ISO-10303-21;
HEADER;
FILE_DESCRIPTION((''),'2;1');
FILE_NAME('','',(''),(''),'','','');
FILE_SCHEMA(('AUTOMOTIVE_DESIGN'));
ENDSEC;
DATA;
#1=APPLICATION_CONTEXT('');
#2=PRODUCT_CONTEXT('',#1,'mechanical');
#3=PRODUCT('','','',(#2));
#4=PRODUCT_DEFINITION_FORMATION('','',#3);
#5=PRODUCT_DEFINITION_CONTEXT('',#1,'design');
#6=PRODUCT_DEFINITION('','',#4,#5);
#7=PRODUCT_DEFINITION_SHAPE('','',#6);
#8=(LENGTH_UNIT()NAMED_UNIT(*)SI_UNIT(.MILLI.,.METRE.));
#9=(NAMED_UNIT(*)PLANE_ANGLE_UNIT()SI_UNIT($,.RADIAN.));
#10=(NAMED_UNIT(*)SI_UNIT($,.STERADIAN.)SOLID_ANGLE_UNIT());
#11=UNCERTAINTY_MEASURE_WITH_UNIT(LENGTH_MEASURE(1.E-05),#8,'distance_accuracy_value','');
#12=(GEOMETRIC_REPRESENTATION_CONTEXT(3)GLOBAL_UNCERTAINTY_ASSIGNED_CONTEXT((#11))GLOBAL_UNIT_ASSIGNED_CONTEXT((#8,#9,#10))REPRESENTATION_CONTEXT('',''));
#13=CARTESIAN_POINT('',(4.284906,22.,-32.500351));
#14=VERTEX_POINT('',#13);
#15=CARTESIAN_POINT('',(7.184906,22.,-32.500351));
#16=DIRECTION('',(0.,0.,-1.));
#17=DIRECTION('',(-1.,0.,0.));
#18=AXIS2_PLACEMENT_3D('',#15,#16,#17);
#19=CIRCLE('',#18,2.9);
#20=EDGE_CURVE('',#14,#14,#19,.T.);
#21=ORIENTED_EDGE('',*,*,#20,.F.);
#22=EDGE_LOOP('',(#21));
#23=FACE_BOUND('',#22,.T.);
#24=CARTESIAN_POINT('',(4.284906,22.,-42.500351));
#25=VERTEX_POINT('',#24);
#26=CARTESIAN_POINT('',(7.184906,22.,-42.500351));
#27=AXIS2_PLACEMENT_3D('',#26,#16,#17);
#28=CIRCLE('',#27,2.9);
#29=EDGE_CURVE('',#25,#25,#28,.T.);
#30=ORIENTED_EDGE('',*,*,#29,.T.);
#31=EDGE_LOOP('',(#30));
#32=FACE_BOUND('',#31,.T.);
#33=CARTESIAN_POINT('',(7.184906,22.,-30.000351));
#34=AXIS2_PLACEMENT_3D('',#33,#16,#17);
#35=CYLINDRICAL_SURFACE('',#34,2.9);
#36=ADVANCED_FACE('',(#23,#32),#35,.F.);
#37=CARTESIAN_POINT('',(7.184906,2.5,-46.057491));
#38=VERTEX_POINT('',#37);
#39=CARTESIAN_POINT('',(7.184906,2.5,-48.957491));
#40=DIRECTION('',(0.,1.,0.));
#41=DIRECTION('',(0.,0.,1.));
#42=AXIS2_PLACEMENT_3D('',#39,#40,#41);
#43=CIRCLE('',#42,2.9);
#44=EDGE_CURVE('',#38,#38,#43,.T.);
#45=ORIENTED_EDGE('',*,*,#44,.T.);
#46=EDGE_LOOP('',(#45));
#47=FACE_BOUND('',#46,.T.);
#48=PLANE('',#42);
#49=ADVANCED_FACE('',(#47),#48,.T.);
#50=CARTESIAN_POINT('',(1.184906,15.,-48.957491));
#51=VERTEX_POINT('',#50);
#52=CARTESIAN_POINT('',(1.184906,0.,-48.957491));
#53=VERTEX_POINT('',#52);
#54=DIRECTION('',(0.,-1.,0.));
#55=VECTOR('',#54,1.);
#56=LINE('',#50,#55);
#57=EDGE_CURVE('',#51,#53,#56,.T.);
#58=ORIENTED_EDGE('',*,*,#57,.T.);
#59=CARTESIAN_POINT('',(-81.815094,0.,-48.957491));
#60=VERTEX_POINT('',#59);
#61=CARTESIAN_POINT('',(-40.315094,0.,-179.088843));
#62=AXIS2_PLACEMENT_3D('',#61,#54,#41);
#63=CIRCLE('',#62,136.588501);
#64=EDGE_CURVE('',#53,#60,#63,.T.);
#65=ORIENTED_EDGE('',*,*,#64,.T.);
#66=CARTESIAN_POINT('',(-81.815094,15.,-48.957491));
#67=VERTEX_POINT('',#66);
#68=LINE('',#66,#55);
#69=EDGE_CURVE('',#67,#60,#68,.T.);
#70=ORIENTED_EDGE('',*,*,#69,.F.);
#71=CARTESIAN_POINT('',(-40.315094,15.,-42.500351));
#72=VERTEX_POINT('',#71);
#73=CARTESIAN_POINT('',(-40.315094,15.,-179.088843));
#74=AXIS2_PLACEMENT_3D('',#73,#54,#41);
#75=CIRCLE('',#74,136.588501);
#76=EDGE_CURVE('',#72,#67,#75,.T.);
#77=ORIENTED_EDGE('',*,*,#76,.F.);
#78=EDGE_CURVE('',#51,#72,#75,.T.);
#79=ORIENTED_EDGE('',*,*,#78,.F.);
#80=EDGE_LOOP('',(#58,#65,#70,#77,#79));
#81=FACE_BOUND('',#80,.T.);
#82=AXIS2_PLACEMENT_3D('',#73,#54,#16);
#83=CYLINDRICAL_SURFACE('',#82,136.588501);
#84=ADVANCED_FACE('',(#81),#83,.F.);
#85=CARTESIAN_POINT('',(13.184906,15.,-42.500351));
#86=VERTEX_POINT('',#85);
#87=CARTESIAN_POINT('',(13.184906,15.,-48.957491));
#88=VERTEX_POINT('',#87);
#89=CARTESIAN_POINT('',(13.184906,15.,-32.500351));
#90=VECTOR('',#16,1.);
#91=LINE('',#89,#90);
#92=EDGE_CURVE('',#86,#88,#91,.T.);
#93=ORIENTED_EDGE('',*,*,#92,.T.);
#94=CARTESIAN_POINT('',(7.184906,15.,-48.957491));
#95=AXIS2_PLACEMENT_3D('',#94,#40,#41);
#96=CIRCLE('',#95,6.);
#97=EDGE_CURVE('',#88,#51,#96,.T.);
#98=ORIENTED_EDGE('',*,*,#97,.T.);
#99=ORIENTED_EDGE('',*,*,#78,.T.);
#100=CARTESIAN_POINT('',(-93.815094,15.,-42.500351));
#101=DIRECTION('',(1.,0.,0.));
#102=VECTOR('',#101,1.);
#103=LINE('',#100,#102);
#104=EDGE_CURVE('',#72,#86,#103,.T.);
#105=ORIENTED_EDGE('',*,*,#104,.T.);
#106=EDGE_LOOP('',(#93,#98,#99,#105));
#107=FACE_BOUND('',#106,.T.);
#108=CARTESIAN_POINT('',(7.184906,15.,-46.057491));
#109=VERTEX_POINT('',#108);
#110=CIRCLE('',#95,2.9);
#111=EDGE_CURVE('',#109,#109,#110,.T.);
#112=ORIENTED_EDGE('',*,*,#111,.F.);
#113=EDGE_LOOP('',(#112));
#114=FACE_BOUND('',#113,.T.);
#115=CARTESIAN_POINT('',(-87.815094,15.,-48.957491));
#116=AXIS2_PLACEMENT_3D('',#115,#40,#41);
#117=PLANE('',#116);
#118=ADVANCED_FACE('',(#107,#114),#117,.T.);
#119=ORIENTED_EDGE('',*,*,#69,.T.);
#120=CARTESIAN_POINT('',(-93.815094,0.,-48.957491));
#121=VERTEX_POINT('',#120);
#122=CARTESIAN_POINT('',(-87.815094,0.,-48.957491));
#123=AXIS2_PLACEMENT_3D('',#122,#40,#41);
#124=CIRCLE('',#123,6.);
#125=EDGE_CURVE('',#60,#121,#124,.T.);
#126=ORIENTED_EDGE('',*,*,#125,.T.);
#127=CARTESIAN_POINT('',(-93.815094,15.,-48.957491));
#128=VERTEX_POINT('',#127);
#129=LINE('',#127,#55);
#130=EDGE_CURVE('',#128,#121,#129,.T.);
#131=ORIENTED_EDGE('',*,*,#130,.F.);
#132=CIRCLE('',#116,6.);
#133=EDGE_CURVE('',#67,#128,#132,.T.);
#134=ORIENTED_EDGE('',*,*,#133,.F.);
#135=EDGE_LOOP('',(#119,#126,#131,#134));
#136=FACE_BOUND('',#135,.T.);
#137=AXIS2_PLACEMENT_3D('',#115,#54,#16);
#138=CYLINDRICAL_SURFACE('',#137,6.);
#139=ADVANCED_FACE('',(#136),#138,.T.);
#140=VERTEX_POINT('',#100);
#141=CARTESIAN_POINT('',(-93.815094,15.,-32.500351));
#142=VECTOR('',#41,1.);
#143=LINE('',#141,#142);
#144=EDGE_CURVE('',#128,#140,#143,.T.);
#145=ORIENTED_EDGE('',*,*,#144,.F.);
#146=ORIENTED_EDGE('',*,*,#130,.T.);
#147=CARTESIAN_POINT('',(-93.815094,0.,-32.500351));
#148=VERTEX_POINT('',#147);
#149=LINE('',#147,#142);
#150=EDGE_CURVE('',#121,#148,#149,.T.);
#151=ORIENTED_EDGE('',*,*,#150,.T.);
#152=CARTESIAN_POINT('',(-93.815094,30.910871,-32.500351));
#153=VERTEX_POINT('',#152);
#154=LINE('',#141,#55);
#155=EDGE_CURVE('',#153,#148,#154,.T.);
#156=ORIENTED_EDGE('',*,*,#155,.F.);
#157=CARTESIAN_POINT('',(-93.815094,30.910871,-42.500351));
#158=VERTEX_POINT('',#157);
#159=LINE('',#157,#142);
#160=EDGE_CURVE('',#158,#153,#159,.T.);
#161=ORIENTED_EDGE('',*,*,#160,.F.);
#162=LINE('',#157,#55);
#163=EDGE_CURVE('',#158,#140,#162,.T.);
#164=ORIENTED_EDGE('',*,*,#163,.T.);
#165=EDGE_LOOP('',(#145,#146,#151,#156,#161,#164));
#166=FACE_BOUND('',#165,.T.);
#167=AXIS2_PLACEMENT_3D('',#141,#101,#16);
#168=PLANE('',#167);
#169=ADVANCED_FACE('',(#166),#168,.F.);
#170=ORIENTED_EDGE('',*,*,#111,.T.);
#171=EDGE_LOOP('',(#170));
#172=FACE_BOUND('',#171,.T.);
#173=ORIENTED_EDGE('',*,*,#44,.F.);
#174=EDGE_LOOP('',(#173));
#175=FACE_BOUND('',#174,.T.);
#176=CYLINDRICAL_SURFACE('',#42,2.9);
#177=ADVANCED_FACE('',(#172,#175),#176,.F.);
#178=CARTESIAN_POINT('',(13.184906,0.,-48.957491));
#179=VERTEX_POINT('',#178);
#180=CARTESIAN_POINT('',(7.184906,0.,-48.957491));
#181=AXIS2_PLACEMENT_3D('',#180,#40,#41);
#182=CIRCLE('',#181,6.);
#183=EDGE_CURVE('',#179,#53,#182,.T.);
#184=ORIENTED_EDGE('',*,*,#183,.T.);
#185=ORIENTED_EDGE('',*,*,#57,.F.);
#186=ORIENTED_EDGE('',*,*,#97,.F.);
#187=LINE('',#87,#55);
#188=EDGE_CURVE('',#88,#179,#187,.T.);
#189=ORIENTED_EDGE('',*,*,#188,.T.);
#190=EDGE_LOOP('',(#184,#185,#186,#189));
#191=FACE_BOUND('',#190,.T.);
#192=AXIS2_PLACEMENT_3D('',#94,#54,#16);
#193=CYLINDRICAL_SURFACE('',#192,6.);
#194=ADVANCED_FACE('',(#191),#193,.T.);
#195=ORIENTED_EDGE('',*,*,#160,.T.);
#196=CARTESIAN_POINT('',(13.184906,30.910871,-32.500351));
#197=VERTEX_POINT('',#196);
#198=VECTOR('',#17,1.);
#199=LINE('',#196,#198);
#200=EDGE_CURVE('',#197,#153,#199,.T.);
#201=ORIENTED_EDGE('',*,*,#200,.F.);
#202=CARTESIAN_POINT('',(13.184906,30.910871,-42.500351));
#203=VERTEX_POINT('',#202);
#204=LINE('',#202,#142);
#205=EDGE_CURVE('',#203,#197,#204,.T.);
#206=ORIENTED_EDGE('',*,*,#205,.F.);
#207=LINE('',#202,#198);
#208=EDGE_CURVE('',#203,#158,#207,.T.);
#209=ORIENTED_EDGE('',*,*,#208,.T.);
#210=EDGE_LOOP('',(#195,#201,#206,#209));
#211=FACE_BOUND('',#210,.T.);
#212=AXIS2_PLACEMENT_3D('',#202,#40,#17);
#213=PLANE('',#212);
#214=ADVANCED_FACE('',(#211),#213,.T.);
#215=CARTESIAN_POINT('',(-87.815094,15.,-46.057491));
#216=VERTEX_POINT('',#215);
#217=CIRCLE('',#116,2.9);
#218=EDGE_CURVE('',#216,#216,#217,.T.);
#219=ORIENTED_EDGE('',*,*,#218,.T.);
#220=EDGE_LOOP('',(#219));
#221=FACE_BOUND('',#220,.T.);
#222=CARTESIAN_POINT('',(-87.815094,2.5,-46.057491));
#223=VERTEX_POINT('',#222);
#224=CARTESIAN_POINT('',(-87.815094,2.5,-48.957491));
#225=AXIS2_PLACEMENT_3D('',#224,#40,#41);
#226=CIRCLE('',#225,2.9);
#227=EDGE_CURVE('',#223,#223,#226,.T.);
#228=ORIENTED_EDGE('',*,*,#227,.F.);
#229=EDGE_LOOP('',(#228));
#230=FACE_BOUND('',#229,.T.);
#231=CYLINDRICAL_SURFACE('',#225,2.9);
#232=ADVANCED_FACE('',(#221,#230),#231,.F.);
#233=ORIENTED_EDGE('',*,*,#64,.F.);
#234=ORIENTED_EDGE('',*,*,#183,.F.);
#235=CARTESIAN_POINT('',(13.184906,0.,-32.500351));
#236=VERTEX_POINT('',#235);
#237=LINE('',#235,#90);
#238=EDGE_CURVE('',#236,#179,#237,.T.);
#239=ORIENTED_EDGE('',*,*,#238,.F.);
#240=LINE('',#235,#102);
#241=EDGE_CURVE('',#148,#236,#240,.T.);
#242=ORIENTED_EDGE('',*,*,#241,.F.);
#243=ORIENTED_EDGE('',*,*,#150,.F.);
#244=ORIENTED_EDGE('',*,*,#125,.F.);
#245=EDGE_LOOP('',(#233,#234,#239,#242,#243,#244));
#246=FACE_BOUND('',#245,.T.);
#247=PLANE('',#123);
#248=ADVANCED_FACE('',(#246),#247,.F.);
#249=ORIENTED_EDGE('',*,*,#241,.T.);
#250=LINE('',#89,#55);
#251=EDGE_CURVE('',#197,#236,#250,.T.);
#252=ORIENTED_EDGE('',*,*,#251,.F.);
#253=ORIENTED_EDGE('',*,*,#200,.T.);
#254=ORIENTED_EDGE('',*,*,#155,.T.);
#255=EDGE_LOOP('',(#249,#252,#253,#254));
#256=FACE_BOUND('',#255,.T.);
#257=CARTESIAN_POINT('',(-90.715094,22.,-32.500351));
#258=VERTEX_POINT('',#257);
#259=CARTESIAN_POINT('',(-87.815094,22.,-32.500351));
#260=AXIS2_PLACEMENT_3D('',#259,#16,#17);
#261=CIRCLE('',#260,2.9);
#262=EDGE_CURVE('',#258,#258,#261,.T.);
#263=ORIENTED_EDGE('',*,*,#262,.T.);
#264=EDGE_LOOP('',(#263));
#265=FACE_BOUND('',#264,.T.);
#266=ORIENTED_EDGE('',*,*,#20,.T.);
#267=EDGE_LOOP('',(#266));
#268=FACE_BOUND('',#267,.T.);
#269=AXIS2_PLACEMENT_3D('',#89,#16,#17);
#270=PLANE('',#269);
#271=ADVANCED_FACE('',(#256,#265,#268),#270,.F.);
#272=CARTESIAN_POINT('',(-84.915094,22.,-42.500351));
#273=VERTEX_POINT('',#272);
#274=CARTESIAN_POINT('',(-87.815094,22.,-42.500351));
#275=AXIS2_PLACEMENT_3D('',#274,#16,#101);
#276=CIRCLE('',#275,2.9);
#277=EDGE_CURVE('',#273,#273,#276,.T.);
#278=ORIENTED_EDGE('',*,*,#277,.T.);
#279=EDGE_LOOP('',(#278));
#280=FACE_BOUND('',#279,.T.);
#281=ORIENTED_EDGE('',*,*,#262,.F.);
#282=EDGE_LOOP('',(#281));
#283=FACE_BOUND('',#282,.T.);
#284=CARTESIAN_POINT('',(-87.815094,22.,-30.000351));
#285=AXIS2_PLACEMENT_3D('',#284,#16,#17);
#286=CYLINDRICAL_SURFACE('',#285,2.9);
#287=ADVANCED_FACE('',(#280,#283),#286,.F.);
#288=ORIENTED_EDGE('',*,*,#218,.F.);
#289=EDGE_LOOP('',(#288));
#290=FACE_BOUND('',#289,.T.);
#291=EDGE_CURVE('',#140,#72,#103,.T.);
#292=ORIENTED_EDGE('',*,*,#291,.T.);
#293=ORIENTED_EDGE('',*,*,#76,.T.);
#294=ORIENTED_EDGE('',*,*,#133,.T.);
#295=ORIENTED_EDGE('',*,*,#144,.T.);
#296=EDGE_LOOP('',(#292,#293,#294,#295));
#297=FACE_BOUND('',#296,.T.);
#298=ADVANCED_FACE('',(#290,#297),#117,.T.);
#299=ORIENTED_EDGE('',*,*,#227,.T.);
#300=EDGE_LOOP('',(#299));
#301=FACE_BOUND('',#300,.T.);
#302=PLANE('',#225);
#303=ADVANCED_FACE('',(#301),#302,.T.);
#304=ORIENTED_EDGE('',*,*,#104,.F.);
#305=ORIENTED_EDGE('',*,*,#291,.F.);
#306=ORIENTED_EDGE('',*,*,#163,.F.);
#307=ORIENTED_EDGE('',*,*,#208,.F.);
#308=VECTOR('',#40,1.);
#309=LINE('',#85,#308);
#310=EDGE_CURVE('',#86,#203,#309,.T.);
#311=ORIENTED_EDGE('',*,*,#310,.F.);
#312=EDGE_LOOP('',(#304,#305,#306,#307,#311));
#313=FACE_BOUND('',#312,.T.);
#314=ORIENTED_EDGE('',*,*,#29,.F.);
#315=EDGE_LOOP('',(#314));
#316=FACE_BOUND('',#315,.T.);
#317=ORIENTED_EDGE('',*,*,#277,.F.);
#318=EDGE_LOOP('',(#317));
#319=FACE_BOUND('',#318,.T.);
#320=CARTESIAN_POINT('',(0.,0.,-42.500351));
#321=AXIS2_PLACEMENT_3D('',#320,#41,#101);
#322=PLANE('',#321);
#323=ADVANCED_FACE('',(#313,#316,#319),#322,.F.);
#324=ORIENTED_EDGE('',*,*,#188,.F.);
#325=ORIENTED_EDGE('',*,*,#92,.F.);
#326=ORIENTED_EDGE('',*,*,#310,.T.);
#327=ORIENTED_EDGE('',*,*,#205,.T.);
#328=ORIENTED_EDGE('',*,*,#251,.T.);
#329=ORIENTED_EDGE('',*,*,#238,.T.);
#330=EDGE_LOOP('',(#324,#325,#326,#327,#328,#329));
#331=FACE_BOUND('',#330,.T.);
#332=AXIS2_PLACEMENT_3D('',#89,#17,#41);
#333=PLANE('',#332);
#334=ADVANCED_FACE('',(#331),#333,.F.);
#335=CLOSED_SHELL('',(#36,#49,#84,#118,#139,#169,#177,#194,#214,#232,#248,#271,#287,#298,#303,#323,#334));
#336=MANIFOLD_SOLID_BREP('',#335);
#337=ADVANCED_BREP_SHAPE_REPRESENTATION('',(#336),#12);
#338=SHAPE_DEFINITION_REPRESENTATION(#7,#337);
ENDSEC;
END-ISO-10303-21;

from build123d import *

# Parameters (mm, degrees)
BOSS_EXTRUDE1_DEPTH = 15
SKETCH5_W           = 107
SKETCH5_H           = 15.91087052
BOSS_EXTRUDE2_DEPTH = 10
CUT_EXTRUDE1_START  = -15
SKETCH6_R           = 2.9
CUT_EXTRUDE1_DEPTH  = 12.5
SKETCH7_R           = 2.9
CUT_EXTRUDE2_DEPTH  = 12.5


with BuildPart() as part:
    # Sketch4 → Boss-Extrude1 (new body)
    with BuildSketch(Plane(origin=(0, 0, 0), x_dir=(1, 0, 0), z_dir=(0, 1, 0))):
        with BuildLine():
            Line((13.184906132, 32.500351338), (-93.815093868, 32.500351338))
            Line((-93.815093868, 32.500351338), (-93.815093868, 48.957491145))
            ThreePointArc((-93.815093868, 48.957491145), (-87.815093868, 54.957491145), (-81.815093868, 48.957491145))
            ThreePointArc((-81.815093868, 48.957491145), (-40.315093868, 42.500341518), (1.184906132, 48.957491145))
            ThreePointArc((1.184906132, 48.957491145), (7.184906132, 54.957491145), (13.184906132, 48.957491145))
            Line((13.184906132, 48.957491145), (13.184906132, 32.500351338))
        make_face()
    extrude(amount=BOSS_EXTRUDE1_DEPTH)

    # Sketch5 → Boss-Extrude2 (add)
    with BuildSketch(Plane.XY.offset(-32.500351338)):
        with Locations((-40.315093868, 22.95543526)):
            Rectangle(SKETCH5_W, SKETCH5_H)
    extrude(amount=-BOSS_EXTRUDE2_DEPTH)

    # Sketch6 → Cut-Extrude1 (cut)
    with BuildSketch(Plane.XZ.offset(CUT_EXTRUDE1_START)):
        with Locations(Location((7.184906132, -48.957491145, 0), (0, 0, 90))):
            Circle(SKETCH6_R)
        with Locations(Location((-87.815093868, -48.957491145, 0), (0, 0, 90))):
            Circle(SKETCH6_R)
    extrude(amount=CUT_EXTRUDE1_DEPTH, mode=Mode.SUBTRACT)

    # Sketch7 → Cut-Extrude2 (cut)
    with BuildSketch(Plane(origin=(0, 0, -42.500351338), x_dir=(-1, 0, 0), z_dir=(0, 0, -1))):
        with Locations((-7.184906132, 22)):
            Circle(SKETCH7_R)
        with Locations((87.815093868, 22)):
            Circle(SKETCH7_R)
    extrude(amount=-CUT_EXTRUDE2_DEPTH, mode=Mode.SUBTRACT)


solid = part.part
